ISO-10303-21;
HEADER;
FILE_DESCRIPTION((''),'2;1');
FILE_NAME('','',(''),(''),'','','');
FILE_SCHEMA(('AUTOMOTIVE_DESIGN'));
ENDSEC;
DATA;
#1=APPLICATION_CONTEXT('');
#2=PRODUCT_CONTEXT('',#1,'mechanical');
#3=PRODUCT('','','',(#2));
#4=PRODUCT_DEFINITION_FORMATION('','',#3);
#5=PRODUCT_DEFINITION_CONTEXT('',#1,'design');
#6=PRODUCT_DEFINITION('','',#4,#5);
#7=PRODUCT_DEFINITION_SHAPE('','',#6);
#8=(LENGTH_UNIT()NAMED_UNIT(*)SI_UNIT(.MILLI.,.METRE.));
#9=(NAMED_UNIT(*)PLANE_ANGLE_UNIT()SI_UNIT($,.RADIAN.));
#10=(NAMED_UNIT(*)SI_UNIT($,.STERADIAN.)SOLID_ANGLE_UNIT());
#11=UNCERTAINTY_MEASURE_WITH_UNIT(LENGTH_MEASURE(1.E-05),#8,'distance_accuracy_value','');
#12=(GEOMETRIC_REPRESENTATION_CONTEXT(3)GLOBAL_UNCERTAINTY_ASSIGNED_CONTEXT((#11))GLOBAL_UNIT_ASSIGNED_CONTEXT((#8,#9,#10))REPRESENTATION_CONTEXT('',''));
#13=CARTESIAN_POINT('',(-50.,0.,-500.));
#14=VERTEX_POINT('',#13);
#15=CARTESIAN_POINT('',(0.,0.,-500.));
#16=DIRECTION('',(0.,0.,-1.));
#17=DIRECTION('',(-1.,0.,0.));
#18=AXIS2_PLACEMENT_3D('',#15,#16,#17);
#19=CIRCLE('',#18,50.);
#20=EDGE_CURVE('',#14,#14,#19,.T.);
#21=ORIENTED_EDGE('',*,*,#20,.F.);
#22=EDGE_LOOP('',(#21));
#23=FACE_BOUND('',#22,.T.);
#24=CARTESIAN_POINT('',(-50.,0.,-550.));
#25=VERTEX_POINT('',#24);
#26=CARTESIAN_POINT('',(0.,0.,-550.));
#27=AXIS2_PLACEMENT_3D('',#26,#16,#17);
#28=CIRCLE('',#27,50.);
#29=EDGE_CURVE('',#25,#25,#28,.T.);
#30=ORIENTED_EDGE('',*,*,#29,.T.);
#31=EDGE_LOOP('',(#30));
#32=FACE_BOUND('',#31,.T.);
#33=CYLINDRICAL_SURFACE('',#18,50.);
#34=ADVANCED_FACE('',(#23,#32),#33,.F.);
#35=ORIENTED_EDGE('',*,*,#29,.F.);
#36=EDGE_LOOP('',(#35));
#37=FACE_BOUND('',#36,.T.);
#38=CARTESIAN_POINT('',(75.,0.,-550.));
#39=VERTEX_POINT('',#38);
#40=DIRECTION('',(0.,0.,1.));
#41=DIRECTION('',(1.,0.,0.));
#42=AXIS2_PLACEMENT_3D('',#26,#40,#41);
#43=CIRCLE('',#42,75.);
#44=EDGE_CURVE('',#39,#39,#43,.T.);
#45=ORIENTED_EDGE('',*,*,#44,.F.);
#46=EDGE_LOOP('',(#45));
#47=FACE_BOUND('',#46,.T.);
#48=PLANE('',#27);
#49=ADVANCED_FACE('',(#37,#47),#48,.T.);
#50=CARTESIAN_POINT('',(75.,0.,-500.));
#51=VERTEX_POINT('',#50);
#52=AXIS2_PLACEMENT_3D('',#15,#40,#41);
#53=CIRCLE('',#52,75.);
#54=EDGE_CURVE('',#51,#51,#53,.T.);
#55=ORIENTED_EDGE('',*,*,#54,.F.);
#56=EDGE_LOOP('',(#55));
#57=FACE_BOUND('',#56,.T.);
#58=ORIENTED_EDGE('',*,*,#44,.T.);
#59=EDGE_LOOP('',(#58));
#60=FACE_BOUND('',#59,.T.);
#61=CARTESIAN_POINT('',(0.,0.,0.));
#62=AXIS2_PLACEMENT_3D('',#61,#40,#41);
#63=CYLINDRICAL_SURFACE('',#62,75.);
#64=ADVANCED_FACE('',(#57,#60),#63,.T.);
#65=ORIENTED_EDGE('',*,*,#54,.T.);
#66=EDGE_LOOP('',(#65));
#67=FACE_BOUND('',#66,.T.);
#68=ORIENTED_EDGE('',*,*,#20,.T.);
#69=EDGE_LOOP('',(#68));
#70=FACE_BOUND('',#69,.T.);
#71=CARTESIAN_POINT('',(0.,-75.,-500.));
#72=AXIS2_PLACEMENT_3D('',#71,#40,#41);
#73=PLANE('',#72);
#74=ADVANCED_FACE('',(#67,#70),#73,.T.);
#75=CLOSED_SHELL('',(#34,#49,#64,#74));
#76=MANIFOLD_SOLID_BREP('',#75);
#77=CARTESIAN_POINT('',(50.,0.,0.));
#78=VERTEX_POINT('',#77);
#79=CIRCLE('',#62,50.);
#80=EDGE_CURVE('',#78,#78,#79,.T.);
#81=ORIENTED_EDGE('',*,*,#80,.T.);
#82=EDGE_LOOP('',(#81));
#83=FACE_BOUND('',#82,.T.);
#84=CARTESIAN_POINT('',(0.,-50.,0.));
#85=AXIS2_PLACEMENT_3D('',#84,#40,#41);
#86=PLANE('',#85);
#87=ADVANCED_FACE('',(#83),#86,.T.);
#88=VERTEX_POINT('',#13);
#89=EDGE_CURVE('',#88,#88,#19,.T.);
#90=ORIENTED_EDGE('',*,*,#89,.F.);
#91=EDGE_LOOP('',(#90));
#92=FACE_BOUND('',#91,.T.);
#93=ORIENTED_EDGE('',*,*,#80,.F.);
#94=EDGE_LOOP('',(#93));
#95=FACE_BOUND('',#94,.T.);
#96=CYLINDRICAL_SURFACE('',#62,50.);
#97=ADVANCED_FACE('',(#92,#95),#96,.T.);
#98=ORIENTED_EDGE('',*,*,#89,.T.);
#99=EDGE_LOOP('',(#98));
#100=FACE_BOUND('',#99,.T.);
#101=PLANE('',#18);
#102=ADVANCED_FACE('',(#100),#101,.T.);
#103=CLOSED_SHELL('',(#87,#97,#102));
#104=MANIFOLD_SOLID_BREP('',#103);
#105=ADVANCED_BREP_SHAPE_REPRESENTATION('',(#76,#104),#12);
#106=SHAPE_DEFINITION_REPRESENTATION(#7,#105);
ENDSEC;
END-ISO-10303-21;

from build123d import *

# Parameters (mm, degrees)
CUT_EXTRUDE2_START = -50
SKETCH4_R          = 50
CUT_EXTRUDE2_DEPTH = 50


with BuildPart() as part:
    # Sketch2 → Revolve1 (revolve)
    with BuildSketch(Plane(origin=(0, 0, 0), x_dir=(0, 0, -1), z_dir=(1, 0, 0)), mode=Mode.PRIVATE) as revolve1_sk:
        Polygon((0, 0), (550, 0), (550, -75), (500, -75), (500, -50), (0, -50), align=None)
    revolve(revolve1_sk.sketch.rotate(Axis((0, 0, 0), (0, 0, -1)), 270), axis=Axis((0, 0, 0), (0, 0, -1)))

    # Sketch4 → Cut-Extrude2 (cut)
    with BuildSketch(Plane(origin=(0, 0, -550), x_dir=(-1, 0, 0), z_dir=(0, 0, -1)).offset(CUT_EXTRUDE2_START)):
        Circle(SKETCH4_R)
    extrude(amount=CUT_EXTRUDE2_DEPTH, mode=Mode.SUBTRACT)


with BuildPart() as cut_extrude2_piece_1:
    # of the separate pieces the step leaves, piece 1, a body of its own (cut_extrude2_pieces)
    add(part.part.solids().sort_by_distance((50, 0, 0))[0])


with BuildPart() as cut_extrude2_piece_2:
    # of the separate pieces the step leaves, piece 2, a body of its own (cut_extrude2_pieces)
    add(part.part.solids().sort_by_distance((75, 0, -550))[0])


solid = Compound([cut_extrude2_piece_1.part, cut_extrude2_piece_2.part])
